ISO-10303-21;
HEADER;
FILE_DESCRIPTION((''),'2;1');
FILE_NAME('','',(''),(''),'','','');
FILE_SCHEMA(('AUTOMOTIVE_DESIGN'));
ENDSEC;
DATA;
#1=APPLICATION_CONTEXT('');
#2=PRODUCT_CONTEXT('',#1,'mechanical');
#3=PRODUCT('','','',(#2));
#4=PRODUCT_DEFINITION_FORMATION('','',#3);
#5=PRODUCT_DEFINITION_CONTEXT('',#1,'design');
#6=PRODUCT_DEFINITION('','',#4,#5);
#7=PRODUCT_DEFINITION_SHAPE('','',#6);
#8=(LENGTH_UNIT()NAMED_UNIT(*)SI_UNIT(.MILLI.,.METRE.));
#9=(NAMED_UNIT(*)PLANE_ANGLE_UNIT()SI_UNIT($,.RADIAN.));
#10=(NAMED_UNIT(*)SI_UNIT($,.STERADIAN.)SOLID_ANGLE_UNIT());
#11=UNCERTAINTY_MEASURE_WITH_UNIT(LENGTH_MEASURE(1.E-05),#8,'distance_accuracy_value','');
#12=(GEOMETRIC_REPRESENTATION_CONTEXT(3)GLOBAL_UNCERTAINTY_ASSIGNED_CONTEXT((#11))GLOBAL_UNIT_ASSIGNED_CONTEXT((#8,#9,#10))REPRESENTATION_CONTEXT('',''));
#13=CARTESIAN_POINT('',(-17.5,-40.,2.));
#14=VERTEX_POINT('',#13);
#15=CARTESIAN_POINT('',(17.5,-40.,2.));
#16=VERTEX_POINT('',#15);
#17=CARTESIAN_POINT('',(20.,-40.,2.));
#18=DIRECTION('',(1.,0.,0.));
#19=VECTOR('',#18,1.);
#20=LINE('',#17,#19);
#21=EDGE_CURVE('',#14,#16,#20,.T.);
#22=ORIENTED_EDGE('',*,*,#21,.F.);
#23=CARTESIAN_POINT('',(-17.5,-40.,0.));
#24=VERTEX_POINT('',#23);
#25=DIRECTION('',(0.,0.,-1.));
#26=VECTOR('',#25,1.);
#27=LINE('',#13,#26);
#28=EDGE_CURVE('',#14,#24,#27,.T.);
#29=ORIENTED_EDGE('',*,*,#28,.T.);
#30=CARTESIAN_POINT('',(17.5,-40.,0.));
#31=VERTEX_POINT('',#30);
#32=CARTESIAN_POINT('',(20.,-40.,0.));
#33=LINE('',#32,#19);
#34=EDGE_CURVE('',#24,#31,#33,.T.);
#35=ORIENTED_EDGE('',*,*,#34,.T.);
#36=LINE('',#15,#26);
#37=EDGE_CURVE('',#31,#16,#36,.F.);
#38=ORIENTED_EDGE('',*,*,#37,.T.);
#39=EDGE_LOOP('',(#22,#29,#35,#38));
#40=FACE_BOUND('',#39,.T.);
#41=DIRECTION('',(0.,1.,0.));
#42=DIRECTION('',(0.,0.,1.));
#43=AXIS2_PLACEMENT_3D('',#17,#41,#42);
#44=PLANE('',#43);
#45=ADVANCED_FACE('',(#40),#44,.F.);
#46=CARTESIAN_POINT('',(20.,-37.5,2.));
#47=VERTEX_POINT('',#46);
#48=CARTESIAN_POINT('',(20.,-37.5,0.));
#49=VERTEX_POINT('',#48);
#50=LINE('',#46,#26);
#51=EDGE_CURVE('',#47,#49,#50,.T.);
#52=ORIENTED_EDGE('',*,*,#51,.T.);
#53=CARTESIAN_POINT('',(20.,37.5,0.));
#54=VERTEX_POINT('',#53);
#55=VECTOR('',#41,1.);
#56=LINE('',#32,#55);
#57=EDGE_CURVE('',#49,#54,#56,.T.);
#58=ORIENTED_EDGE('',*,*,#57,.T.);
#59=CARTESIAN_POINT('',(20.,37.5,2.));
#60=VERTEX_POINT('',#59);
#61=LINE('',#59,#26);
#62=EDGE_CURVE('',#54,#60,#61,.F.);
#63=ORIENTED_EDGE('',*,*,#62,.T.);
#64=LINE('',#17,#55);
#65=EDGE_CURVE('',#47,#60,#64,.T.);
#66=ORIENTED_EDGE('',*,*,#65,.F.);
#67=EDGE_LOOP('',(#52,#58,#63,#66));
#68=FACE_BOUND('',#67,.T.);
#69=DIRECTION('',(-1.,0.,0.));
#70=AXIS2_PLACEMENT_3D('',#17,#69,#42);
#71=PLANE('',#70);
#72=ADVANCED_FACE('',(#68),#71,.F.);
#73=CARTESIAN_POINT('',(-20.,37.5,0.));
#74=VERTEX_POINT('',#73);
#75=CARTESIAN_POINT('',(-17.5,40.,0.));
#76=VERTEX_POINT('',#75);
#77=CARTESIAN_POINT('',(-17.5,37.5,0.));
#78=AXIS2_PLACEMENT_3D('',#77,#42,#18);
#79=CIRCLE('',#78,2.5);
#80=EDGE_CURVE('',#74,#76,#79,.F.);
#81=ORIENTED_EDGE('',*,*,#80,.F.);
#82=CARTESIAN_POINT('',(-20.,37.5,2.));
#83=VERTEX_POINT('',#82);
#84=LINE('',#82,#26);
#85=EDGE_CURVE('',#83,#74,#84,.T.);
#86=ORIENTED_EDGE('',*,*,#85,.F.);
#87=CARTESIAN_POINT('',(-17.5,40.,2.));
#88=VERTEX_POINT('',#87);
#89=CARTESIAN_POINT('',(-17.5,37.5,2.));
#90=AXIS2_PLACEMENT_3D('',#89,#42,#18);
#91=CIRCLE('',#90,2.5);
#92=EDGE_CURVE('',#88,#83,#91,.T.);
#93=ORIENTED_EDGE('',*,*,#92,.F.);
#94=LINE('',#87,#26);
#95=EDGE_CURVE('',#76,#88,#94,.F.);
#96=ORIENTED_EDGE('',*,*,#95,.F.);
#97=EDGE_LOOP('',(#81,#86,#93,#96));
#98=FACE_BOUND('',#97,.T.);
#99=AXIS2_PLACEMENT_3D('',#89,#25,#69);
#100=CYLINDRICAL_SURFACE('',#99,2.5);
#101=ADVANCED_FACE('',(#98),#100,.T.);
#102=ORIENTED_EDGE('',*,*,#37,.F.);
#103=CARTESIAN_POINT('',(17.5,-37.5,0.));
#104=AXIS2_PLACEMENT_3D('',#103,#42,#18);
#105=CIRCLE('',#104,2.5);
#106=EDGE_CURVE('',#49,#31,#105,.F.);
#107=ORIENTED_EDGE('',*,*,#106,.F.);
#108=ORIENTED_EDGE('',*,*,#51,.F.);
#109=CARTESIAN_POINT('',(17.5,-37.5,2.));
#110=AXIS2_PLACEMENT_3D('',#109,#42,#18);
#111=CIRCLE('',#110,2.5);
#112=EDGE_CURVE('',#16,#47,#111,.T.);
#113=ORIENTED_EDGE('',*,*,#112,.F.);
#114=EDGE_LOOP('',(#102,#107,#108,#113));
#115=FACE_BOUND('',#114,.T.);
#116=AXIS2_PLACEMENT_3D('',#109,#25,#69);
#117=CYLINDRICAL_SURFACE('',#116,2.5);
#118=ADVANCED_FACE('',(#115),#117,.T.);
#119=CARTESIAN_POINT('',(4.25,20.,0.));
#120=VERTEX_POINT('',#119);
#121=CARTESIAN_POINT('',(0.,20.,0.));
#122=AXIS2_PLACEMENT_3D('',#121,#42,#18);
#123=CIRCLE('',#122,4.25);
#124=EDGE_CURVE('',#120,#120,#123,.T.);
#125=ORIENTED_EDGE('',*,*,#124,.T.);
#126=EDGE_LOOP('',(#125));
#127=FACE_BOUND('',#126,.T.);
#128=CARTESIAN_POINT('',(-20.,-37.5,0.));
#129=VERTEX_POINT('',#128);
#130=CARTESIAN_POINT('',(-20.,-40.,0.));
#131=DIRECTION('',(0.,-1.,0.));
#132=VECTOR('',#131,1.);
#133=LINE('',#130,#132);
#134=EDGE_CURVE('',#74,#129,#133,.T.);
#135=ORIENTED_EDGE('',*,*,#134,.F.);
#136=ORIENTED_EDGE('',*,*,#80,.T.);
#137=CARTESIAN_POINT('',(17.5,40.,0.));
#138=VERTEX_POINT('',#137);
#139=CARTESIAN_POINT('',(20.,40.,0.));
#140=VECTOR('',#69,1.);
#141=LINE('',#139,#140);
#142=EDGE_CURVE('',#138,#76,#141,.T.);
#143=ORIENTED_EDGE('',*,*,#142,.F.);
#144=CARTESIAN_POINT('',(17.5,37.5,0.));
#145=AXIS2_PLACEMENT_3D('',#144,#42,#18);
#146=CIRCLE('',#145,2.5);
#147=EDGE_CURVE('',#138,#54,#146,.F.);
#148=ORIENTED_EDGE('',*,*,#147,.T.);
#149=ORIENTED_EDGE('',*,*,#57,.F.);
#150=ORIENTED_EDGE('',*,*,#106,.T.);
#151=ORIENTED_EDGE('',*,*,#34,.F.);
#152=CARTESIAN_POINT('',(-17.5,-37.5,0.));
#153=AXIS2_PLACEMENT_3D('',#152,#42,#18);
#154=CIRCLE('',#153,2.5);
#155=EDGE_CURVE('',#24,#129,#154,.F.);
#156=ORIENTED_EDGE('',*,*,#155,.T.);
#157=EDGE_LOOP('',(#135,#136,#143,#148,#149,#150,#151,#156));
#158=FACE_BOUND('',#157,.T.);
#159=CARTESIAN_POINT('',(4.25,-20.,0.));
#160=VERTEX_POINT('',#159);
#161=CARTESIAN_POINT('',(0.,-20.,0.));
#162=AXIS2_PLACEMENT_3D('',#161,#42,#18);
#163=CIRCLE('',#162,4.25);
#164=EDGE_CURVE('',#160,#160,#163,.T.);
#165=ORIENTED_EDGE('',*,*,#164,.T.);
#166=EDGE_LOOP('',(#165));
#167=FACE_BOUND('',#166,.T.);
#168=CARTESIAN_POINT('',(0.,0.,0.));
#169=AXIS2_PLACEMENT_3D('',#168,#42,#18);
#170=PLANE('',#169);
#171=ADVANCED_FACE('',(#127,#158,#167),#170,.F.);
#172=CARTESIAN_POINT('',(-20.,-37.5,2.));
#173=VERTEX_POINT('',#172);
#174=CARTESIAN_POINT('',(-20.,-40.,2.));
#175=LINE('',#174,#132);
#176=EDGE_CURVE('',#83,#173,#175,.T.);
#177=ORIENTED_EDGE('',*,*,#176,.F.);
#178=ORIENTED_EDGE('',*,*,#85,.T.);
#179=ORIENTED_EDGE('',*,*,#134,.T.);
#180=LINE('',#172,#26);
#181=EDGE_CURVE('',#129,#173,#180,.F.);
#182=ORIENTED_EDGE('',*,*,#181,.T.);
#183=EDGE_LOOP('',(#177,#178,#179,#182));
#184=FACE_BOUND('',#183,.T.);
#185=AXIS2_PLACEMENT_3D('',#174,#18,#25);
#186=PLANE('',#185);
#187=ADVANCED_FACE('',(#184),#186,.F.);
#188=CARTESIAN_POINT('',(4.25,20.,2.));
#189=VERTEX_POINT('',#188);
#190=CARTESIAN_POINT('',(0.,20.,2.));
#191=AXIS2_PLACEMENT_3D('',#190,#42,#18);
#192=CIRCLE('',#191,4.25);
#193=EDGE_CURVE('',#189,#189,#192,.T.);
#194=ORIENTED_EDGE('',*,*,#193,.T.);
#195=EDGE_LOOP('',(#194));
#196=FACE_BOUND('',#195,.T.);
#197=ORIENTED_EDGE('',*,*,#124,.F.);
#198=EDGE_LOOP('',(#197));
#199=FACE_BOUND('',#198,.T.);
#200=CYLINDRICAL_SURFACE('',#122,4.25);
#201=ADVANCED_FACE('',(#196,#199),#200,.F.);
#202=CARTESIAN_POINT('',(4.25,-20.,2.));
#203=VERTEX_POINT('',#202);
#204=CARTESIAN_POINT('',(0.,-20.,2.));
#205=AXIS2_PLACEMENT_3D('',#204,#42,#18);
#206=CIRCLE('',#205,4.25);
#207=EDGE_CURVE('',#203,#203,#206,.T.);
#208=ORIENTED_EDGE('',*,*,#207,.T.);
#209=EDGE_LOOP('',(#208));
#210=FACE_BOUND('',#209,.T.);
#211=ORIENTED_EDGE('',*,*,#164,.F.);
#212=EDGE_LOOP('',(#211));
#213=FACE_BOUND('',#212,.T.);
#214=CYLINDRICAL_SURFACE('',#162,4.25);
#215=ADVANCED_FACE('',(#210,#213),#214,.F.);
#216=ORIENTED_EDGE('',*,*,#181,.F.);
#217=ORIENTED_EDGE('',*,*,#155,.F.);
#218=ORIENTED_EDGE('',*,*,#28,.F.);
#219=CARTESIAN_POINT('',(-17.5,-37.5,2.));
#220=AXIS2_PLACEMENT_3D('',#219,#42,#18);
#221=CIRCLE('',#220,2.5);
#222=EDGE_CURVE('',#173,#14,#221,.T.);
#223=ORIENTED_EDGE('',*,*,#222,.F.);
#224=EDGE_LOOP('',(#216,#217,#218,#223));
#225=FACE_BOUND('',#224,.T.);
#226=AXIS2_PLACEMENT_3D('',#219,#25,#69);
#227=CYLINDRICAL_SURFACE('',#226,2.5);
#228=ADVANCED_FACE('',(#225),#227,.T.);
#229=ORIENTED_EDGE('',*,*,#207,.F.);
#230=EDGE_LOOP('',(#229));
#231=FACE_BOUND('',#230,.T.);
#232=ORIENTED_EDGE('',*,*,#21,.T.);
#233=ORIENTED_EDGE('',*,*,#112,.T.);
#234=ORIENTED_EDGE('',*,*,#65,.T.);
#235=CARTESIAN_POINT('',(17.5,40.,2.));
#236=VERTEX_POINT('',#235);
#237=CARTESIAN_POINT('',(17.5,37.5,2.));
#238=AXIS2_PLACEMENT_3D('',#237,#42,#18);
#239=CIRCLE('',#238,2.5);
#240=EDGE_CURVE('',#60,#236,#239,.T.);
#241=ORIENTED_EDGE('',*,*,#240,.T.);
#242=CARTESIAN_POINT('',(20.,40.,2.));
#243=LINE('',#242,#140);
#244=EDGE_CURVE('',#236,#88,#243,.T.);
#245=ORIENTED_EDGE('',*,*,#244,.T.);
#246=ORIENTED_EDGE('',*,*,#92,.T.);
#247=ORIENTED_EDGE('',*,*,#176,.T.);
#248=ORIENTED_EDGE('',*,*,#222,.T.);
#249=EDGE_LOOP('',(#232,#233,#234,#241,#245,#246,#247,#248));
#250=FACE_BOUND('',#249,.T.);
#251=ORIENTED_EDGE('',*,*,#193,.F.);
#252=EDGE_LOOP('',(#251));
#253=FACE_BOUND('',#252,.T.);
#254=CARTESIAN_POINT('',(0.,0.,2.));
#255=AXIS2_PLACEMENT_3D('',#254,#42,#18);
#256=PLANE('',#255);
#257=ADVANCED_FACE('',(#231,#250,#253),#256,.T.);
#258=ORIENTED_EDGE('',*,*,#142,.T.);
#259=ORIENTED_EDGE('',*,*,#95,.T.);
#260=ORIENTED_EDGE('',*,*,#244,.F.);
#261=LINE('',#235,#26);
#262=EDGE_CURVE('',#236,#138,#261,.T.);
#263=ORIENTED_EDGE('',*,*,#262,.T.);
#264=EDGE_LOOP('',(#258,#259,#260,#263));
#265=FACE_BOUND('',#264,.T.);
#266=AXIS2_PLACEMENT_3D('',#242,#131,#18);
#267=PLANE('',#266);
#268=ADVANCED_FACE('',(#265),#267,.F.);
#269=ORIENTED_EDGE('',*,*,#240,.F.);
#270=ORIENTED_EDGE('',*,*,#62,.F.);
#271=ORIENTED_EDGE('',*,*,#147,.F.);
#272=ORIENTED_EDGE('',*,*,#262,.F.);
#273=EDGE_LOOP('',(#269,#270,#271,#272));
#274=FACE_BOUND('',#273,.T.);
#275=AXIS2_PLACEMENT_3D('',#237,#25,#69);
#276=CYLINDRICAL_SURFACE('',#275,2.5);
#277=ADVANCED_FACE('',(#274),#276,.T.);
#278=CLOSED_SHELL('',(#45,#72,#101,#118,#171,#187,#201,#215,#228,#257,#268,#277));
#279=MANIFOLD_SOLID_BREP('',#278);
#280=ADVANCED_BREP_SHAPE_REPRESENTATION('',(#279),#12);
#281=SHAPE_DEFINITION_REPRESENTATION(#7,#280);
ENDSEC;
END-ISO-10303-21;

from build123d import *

# Parameters (mm, degrees)
SKETCH1_W           = 40
SKETCH1_H           = 80
BOSS_EXTRUDE1_DEPTH = 2
SKETCH2_R           = 4.25
CUT_EXTRUDE1_DEPTH  = 2
FILLET1_R           = 2.5


with BuildPart() as part:
    # Sketch1 → Boss-Extrude1 (new body)
    with BuildSketch(Plane.XY):
        Rectangle(SKETCH1_W, SKETCH1_H)
    extrude(amount=BOSS_EXTRUDE1_DEPTH)

    # Sketch2 → Cut-Extrude1 (cut)
    with BuildSketch(Plane.XY.offset(2)):
        with Locations((0, 20)):
            Circle(SKETCH2_R)
        with Locations((0, -20)):
            Circle(SKETCH2_R)
    extrude(amount=-CUT_EXTRUDE1_DEPTH, mode=Mode.SUBTRACT)

    # Fillet1
    fillet1_edges = [part.edges().sort_by_distance(p)[0] for p in [
        (-20, 40, 1),
        (20, 40, 1),
        (20, -40, 1),
        (-20, -40, 1),
    ]]
    fillet(fillet1_edges, radius=FILLET1_R)


solid = part.part
